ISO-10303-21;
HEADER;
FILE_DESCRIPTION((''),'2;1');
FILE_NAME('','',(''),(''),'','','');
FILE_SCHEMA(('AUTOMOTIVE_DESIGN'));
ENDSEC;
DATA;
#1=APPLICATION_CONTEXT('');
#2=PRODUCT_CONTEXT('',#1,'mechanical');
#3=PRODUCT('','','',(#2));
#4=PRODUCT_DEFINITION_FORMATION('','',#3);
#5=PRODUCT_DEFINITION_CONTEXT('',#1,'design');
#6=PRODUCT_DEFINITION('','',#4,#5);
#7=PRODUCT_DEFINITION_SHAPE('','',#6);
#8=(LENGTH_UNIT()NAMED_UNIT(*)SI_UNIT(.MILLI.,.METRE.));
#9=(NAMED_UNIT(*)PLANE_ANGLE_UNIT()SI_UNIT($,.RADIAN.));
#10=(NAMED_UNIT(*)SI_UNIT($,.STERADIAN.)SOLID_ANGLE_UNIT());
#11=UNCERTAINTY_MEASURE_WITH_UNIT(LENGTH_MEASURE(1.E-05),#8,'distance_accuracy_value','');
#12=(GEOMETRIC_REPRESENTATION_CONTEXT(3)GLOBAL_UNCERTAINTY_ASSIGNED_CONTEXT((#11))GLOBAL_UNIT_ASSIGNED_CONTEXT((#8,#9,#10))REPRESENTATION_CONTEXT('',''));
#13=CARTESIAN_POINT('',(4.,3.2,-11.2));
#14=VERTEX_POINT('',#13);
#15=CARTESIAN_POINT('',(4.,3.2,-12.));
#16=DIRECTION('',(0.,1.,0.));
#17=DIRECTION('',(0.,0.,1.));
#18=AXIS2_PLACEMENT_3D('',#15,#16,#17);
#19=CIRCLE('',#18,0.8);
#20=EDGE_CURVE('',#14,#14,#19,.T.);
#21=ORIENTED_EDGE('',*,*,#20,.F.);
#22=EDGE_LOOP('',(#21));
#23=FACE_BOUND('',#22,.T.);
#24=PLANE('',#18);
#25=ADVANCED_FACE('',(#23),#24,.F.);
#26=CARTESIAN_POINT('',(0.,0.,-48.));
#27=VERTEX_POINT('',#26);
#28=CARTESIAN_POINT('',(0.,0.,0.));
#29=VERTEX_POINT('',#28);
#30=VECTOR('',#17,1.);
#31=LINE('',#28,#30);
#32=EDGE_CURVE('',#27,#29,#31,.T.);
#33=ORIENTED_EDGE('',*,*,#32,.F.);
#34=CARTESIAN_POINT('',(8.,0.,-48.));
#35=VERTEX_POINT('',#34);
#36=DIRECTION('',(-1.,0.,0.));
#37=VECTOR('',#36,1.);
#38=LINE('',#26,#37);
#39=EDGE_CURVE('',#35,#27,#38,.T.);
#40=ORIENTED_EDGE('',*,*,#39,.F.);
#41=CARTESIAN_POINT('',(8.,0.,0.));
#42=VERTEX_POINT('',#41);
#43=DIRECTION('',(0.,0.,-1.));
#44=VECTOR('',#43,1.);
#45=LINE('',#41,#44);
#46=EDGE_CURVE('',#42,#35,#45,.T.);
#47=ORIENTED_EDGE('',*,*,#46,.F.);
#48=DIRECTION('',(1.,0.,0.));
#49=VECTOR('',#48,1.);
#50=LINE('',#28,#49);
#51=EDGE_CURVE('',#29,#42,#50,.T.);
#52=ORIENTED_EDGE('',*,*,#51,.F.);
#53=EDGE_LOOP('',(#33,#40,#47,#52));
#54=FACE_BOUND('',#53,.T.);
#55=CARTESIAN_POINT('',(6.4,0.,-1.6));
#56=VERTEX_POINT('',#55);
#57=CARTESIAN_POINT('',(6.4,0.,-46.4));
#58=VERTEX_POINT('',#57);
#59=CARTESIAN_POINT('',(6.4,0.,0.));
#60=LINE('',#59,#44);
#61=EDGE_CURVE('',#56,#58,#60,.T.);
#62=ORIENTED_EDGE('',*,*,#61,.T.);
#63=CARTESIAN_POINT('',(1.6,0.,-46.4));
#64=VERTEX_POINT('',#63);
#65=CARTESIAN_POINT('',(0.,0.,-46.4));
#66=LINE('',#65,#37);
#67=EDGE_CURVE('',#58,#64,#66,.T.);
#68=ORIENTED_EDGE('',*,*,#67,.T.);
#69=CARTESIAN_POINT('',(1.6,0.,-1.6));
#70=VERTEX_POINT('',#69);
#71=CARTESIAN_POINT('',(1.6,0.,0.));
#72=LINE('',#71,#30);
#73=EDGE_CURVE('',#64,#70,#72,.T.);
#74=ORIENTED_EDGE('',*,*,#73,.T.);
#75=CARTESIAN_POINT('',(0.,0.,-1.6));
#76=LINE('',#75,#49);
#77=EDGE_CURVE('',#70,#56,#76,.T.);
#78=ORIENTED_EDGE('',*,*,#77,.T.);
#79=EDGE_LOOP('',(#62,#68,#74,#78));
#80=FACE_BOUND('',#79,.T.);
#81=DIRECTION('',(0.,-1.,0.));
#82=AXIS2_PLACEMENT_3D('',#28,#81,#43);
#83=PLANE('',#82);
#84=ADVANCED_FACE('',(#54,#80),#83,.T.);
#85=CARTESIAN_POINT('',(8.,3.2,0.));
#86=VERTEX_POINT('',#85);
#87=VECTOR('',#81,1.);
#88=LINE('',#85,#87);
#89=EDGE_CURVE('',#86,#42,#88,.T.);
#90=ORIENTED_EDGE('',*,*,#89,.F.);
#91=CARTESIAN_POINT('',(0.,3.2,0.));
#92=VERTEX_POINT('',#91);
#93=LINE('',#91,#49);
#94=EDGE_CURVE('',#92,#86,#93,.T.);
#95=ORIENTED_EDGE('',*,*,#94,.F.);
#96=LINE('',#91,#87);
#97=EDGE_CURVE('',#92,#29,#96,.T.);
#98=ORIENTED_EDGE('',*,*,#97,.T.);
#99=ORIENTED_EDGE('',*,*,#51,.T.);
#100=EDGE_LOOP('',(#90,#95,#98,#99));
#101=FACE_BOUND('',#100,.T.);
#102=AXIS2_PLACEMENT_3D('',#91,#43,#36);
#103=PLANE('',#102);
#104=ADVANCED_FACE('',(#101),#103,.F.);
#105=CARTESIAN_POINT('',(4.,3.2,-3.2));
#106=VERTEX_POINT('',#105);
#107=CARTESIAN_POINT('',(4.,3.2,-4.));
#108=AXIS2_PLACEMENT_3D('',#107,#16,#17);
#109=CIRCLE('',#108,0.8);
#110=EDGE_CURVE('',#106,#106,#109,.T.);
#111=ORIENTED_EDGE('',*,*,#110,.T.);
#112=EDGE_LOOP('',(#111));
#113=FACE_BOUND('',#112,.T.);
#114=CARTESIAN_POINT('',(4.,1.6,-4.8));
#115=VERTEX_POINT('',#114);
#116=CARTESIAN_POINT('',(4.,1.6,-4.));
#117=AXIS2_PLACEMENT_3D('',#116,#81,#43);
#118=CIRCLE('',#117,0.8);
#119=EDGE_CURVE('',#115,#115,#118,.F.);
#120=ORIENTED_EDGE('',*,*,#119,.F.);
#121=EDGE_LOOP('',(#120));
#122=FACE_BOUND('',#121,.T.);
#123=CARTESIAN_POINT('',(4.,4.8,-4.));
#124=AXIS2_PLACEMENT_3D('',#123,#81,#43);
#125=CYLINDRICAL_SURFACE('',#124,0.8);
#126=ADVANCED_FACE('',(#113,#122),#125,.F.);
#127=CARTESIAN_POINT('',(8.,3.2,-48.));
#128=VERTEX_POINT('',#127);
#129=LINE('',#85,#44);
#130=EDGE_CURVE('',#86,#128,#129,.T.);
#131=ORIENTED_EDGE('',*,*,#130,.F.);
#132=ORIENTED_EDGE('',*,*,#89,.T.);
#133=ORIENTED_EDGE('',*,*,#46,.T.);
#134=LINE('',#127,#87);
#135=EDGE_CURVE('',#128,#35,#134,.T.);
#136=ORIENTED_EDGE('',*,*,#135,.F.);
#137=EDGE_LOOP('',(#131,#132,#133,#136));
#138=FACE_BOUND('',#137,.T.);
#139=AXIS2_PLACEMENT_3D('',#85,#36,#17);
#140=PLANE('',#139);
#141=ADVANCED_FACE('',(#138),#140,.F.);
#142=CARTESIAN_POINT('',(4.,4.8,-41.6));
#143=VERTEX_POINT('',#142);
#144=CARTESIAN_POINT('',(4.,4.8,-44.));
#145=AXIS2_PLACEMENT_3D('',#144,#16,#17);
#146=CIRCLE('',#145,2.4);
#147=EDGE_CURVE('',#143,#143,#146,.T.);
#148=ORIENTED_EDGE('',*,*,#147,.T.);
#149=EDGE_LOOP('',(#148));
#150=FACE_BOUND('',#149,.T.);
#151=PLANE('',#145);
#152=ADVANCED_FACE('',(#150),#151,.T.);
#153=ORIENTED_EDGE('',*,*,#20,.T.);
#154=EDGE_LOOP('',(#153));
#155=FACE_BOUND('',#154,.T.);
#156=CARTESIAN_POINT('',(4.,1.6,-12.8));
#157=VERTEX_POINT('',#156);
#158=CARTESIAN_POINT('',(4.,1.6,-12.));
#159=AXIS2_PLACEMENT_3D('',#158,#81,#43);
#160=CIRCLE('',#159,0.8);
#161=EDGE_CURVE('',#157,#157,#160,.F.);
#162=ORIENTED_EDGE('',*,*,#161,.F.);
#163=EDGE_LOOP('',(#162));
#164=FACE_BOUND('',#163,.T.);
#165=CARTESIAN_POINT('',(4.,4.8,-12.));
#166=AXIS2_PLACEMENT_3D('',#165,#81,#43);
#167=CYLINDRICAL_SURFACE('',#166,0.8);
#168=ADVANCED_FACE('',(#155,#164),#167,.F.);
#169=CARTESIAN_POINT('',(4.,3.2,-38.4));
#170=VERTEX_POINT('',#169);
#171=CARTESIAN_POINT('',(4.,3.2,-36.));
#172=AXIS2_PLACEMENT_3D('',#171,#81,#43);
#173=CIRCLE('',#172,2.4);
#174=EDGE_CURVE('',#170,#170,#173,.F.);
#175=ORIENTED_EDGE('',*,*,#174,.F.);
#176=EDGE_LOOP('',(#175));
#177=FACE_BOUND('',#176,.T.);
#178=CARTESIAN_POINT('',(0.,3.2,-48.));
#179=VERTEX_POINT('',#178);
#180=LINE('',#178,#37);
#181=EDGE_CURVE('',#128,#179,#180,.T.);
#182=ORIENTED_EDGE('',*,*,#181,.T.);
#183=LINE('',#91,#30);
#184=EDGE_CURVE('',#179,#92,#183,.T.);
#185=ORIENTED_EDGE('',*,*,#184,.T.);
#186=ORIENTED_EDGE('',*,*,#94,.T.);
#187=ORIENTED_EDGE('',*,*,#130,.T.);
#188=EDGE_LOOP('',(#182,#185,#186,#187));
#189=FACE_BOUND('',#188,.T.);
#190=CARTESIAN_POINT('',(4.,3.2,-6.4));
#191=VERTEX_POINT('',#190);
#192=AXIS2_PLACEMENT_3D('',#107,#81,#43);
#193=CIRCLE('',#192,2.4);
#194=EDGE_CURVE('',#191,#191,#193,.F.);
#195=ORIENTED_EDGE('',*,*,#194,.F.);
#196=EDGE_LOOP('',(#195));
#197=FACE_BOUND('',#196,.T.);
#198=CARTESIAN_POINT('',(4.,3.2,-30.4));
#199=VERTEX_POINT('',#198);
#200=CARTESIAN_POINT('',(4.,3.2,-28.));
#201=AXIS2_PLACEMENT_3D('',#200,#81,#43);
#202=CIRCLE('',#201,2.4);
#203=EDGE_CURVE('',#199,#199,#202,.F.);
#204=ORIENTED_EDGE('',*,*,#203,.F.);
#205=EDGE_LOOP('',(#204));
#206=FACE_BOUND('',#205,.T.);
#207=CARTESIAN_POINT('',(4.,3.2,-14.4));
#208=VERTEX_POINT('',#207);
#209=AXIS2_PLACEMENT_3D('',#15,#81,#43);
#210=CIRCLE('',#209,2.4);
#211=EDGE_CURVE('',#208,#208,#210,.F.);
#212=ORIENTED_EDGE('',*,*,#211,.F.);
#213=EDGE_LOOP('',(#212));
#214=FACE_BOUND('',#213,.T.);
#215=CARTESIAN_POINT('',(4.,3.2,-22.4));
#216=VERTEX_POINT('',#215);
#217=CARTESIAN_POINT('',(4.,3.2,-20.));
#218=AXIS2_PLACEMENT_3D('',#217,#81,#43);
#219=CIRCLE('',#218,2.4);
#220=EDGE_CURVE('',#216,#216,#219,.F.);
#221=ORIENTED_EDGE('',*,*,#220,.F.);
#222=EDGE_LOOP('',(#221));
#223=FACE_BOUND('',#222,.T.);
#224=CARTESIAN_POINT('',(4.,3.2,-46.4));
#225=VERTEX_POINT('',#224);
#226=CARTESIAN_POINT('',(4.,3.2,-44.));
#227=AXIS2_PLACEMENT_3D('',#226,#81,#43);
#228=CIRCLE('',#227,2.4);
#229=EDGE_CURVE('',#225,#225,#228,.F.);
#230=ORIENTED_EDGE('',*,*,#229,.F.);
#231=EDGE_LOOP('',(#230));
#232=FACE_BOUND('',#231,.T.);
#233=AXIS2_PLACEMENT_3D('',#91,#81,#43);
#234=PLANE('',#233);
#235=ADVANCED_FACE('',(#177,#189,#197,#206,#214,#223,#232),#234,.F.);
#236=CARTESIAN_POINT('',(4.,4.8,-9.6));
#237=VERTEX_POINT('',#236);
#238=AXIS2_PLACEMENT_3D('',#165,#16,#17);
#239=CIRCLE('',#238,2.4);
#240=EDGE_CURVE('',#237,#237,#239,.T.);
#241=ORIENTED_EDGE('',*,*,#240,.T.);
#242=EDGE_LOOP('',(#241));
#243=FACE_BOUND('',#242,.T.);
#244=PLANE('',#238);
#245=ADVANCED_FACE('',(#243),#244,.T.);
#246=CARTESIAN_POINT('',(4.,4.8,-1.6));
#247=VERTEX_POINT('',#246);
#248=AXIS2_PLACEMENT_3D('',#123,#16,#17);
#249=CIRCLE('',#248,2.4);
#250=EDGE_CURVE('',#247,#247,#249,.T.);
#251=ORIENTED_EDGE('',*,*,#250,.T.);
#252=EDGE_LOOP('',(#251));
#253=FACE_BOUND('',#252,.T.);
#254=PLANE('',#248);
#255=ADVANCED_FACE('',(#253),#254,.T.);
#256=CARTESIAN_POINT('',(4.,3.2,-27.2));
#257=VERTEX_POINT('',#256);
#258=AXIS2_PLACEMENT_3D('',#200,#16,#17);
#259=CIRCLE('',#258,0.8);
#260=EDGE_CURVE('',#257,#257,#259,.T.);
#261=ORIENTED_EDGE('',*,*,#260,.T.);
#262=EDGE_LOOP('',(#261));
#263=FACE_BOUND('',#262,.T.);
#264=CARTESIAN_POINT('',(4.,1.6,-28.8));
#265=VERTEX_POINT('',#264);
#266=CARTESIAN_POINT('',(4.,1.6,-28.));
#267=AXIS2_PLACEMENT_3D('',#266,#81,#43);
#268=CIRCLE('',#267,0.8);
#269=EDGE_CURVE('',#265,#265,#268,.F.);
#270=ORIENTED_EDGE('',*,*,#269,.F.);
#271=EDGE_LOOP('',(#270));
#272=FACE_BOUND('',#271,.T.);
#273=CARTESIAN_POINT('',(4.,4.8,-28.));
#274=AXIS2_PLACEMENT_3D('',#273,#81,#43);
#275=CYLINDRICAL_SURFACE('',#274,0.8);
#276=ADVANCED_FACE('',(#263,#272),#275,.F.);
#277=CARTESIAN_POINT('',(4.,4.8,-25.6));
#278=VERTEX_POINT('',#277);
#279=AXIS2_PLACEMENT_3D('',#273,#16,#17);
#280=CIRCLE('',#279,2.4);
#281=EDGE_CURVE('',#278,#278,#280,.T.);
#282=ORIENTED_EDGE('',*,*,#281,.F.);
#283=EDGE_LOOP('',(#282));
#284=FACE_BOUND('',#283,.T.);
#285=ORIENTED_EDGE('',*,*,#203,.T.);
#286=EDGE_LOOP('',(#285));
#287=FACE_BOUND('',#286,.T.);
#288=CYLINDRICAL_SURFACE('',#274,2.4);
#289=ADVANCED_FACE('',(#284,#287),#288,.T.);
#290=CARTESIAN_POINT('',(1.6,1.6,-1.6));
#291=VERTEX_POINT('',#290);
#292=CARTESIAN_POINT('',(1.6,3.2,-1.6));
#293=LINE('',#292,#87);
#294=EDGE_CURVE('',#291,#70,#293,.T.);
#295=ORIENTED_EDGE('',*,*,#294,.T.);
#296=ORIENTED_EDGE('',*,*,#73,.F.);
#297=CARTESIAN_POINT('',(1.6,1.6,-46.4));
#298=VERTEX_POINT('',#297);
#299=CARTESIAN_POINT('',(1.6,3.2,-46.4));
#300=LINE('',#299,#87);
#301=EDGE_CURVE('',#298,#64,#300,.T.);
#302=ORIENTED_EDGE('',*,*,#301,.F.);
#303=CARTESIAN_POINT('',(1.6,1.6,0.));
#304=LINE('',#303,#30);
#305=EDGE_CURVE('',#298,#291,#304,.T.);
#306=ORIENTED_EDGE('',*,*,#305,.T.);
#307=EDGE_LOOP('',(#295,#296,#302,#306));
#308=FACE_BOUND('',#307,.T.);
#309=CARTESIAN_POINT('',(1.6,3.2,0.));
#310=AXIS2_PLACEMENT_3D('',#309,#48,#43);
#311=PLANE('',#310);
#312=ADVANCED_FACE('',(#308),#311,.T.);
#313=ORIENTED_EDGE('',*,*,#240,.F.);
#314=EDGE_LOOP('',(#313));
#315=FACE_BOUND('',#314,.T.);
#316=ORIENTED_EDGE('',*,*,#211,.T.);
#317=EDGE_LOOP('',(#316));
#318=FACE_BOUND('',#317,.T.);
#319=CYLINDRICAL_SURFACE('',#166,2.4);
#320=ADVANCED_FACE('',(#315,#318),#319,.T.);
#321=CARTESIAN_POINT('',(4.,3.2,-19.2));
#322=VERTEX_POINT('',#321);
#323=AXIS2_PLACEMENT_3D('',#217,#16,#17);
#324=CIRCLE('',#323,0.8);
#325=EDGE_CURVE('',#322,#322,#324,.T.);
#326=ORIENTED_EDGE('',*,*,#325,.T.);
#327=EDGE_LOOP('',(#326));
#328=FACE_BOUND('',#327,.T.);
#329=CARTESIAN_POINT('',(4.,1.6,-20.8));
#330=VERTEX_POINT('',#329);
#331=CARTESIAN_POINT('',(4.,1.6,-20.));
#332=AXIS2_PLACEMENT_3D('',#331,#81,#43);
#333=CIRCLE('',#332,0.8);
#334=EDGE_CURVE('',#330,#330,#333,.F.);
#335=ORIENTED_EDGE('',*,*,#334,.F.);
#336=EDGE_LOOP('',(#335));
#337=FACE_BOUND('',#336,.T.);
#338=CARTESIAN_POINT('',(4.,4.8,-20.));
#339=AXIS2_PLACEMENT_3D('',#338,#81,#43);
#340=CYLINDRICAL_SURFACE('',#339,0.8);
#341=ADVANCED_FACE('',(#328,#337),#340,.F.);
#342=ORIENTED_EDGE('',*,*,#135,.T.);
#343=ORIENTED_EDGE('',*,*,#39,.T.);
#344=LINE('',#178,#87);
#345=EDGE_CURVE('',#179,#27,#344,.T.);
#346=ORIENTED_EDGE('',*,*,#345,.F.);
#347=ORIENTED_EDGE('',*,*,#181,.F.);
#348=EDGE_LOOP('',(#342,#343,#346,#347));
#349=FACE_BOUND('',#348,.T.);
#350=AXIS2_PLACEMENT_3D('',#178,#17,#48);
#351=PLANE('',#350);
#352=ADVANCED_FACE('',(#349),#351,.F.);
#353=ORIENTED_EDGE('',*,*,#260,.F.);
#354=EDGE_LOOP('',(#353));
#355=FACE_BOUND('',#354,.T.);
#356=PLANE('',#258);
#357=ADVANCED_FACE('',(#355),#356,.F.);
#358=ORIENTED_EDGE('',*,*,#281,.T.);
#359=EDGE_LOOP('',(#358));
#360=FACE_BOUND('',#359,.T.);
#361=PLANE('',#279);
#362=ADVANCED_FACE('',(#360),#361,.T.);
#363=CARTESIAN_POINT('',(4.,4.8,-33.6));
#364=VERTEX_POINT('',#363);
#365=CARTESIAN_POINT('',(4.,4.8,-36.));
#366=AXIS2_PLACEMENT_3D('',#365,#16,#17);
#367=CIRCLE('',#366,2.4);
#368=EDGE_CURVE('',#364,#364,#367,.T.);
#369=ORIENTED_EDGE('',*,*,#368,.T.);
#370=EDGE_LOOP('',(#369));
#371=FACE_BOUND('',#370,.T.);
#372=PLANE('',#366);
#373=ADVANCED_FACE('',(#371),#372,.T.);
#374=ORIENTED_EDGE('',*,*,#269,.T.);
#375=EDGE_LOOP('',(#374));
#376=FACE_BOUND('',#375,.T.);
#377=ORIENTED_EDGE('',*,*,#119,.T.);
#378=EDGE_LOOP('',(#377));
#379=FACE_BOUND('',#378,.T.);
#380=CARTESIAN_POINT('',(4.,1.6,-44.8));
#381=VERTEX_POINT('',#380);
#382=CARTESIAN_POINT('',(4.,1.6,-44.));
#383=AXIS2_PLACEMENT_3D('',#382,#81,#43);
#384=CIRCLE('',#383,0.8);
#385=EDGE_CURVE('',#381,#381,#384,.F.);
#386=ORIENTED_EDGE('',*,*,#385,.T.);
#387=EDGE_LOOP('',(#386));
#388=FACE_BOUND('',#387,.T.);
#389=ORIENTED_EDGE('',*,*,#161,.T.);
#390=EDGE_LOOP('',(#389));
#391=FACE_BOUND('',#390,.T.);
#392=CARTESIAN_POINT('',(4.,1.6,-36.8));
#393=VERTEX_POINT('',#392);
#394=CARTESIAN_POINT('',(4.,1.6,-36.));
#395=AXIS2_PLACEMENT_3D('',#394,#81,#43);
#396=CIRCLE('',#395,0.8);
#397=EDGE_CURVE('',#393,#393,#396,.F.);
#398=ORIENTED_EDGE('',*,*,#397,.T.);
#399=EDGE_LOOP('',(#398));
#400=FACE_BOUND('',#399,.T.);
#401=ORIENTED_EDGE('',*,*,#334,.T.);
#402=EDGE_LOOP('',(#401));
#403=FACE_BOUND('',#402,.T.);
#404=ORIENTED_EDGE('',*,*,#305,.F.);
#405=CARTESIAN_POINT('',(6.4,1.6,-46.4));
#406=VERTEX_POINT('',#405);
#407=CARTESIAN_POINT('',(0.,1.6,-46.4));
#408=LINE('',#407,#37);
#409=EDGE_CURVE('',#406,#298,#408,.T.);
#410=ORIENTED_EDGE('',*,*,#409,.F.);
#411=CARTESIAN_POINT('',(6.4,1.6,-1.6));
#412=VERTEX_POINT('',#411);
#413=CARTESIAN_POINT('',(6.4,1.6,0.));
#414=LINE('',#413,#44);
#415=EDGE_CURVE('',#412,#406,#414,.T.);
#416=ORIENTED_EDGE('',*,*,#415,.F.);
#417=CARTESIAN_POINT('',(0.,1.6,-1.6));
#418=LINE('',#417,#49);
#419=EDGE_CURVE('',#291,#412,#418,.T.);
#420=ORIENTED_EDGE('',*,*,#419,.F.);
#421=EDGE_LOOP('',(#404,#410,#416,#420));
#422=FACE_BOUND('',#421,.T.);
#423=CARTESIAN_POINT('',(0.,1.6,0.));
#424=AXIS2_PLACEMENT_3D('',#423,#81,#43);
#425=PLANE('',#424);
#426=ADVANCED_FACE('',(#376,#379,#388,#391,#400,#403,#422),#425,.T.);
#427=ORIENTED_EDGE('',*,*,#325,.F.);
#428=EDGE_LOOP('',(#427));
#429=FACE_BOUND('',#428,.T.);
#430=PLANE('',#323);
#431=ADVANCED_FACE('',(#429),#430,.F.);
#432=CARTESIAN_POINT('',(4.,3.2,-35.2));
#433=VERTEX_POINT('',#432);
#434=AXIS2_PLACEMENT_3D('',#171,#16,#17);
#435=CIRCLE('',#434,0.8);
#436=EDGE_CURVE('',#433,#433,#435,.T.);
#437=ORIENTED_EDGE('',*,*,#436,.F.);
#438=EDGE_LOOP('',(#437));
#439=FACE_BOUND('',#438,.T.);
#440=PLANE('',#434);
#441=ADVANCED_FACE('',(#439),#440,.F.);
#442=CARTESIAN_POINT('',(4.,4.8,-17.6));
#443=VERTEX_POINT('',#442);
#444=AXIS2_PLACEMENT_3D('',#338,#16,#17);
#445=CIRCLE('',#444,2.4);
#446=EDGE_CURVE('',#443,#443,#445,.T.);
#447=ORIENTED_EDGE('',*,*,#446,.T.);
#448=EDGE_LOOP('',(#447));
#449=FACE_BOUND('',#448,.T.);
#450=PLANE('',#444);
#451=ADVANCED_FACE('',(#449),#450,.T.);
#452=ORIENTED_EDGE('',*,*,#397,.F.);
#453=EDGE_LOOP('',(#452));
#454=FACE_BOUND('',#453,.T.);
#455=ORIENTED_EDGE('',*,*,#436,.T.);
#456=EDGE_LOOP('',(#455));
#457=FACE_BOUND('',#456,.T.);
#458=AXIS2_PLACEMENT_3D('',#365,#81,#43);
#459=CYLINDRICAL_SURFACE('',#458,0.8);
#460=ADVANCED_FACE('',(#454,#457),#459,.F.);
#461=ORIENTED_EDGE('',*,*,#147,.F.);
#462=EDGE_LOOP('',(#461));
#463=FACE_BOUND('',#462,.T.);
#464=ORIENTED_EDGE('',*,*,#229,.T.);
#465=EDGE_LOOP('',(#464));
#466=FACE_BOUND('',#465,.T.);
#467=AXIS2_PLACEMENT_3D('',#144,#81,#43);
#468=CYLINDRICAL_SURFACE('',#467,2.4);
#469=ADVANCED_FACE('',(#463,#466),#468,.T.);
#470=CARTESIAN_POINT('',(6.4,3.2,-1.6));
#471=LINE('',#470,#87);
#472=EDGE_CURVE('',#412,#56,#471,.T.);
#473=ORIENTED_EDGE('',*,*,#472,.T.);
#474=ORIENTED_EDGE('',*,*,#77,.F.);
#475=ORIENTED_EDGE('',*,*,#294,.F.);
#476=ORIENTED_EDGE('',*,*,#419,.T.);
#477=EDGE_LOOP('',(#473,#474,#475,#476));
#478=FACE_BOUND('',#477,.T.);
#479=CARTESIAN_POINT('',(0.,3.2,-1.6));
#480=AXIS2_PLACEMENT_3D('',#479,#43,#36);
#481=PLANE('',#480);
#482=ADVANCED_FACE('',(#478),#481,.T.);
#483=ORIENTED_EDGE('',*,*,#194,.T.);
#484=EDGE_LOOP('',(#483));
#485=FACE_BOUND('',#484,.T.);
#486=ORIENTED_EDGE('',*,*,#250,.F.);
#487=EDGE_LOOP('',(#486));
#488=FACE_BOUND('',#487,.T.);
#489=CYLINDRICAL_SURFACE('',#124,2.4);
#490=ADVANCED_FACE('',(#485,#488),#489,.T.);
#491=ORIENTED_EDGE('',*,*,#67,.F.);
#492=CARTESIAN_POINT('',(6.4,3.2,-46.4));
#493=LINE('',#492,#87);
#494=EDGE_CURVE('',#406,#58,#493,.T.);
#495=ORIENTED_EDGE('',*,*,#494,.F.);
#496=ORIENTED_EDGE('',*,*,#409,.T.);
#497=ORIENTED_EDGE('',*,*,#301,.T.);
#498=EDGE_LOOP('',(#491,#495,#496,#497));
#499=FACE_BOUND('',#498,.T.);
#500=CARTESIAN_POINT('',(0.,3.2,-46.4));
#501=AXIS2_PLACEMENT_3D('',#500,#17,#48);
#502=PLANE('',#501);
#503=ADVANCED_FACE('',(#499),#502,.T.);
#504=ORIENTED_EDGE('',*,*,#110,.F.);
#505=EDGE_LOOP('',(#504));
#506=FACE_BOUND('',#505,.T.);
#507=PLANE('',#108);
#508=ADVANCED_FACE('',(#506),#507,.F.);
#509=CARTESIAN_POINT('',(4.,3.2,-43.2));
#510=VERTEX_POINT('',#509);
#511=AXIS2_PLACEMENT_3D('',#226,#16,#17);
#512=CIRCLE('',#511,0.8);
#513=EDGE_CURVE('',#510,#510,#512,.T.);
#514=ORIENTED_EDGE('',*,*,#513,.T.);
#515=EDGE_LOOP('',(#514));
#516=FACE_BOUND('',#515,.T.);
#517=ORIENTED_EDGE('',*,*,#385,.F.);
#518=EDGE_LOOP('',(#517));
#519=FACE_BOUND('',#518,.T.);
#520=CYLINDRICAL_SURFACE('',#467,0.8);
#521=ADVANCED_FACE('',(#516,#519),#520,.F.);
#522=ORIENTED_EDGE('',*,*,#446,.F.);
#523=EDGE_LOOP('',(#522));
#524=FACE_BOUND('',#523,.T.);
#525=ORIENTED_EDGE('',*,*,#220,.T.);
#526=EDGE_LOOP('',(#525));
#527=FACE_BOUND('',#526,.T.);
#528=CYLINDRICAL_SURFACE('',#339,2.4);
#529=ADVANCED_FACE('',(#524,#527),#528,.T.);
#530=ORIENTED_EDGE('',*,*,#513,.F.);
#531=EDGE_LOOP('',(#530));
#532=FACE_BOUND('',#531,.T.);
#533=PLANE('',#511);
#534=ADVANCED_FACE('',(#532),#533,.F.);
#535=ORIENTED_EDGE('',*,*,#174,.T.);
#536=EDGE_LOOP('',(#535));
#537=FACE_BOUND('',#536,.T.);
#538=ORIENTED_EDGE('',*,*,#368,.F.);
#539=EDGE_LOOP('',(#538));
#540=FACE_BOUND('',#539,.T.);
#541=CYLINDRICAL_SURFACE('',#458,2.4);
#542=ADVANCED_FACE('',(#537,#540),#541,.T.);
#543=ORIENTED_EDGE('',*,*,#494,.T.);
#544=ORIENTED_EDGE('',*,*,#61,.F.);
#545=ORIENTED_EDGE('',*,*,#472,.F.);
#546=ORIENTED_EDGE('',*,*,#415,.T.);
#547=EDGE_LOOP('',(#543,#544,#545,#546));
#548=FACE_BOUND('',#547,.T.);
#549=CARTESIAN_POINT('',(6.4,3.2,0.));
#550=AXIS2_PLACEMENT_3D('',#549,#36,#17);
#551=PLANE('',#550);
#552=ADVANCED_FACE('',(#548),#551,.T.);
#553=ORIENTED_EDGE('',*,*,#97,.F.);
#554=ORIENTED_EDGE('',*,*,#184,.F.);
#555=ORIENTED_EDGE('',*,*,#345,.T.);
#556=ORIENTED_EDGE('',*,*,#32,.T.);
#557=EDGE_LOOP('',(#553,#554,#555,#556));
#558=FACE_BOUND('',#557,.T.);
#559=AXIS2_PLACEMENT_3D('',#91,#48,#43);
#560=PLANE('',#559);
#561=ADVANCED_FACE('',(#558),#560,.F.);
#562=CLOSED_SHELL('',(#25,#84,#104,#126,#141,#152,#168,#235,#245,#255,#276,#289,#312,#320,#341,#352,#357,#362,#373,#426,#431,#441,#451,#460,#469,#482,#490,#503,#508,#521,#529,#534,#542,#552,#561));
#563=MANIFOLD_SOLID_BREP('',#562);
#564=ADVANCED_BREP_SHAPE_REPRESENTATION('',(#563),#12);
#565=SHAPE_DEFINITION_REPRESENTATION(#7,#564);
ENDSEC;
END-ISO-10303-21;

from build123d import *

# Parameters (mm, degrees)
SKETCH1_W            = 8
SKETCH1_H            = 48
BOSS_EXTRUDE1_DEPTH  = 3.2
SKETCH2_R            = 2.4
BOSS_EXTRUDE2_DEPTH  = 1.6
LPATTERN1_COUNT      = 2
LPATTERN1_PITCH      = 8
LPATTERN1_COUNT_DIR2 = 6
LPATTERN1_PITCH_DIR2 = 8
SHELL1_T             = -1.6


with BuildPart() as part:
    # Sketch1 → Boss-Extrude1 (new body)
    with BuildSketch(Plane(origin=(0, 0, 0), x_dir=(1, 0, 0), z_dir=(0, 1, 0))):
        with Locations((4, 24)):
            Rectangle(SKETCH1_W, SKETCH1_H)
    extrude(amount=BOSS_EXTRUDE1_DEPTH)

    # Sketch2 → Boss-Extrude2 (add)
    with BuildSketch(Plane(origin=(0, 3.2, 0), x_dir=(1, 0, 0), z_dir=(0, 1, 0))):
        with Locations(Location((4, 4, 0), (0, 0, 90))):
            Circle(SKETCH2_R)
    boss_extrude2 = extrude(amount=BOSS_EXTRUDE2_DEPTH)

    # LPattern1: Boss-Extrude2 2 × 6, 6 skipped
    with Locations(*[(i * LPATTERN1_PITCH, 0, -j * LPATTERN1_PITCH_DIR2) for i in range(LPATTERN1_COUNT) for j in range(LPATTERN1_COUNT_DIR2) if (i, j) not in ((0, 0), (1, 0), (1, 1), (1, 2), (1, 3), (1, 4), (1, 5))]):
        add(boss_extrude2)

    # Shell1
    shell1_openings = [part.faces().sort_by_distance(p)[0] for p in [
        (4, 0, -24),
    ]]
    offset(amount=SHELL1_T, openings=shell1_openings, kind=Kind.INTERSECTION)


solid = part.part
